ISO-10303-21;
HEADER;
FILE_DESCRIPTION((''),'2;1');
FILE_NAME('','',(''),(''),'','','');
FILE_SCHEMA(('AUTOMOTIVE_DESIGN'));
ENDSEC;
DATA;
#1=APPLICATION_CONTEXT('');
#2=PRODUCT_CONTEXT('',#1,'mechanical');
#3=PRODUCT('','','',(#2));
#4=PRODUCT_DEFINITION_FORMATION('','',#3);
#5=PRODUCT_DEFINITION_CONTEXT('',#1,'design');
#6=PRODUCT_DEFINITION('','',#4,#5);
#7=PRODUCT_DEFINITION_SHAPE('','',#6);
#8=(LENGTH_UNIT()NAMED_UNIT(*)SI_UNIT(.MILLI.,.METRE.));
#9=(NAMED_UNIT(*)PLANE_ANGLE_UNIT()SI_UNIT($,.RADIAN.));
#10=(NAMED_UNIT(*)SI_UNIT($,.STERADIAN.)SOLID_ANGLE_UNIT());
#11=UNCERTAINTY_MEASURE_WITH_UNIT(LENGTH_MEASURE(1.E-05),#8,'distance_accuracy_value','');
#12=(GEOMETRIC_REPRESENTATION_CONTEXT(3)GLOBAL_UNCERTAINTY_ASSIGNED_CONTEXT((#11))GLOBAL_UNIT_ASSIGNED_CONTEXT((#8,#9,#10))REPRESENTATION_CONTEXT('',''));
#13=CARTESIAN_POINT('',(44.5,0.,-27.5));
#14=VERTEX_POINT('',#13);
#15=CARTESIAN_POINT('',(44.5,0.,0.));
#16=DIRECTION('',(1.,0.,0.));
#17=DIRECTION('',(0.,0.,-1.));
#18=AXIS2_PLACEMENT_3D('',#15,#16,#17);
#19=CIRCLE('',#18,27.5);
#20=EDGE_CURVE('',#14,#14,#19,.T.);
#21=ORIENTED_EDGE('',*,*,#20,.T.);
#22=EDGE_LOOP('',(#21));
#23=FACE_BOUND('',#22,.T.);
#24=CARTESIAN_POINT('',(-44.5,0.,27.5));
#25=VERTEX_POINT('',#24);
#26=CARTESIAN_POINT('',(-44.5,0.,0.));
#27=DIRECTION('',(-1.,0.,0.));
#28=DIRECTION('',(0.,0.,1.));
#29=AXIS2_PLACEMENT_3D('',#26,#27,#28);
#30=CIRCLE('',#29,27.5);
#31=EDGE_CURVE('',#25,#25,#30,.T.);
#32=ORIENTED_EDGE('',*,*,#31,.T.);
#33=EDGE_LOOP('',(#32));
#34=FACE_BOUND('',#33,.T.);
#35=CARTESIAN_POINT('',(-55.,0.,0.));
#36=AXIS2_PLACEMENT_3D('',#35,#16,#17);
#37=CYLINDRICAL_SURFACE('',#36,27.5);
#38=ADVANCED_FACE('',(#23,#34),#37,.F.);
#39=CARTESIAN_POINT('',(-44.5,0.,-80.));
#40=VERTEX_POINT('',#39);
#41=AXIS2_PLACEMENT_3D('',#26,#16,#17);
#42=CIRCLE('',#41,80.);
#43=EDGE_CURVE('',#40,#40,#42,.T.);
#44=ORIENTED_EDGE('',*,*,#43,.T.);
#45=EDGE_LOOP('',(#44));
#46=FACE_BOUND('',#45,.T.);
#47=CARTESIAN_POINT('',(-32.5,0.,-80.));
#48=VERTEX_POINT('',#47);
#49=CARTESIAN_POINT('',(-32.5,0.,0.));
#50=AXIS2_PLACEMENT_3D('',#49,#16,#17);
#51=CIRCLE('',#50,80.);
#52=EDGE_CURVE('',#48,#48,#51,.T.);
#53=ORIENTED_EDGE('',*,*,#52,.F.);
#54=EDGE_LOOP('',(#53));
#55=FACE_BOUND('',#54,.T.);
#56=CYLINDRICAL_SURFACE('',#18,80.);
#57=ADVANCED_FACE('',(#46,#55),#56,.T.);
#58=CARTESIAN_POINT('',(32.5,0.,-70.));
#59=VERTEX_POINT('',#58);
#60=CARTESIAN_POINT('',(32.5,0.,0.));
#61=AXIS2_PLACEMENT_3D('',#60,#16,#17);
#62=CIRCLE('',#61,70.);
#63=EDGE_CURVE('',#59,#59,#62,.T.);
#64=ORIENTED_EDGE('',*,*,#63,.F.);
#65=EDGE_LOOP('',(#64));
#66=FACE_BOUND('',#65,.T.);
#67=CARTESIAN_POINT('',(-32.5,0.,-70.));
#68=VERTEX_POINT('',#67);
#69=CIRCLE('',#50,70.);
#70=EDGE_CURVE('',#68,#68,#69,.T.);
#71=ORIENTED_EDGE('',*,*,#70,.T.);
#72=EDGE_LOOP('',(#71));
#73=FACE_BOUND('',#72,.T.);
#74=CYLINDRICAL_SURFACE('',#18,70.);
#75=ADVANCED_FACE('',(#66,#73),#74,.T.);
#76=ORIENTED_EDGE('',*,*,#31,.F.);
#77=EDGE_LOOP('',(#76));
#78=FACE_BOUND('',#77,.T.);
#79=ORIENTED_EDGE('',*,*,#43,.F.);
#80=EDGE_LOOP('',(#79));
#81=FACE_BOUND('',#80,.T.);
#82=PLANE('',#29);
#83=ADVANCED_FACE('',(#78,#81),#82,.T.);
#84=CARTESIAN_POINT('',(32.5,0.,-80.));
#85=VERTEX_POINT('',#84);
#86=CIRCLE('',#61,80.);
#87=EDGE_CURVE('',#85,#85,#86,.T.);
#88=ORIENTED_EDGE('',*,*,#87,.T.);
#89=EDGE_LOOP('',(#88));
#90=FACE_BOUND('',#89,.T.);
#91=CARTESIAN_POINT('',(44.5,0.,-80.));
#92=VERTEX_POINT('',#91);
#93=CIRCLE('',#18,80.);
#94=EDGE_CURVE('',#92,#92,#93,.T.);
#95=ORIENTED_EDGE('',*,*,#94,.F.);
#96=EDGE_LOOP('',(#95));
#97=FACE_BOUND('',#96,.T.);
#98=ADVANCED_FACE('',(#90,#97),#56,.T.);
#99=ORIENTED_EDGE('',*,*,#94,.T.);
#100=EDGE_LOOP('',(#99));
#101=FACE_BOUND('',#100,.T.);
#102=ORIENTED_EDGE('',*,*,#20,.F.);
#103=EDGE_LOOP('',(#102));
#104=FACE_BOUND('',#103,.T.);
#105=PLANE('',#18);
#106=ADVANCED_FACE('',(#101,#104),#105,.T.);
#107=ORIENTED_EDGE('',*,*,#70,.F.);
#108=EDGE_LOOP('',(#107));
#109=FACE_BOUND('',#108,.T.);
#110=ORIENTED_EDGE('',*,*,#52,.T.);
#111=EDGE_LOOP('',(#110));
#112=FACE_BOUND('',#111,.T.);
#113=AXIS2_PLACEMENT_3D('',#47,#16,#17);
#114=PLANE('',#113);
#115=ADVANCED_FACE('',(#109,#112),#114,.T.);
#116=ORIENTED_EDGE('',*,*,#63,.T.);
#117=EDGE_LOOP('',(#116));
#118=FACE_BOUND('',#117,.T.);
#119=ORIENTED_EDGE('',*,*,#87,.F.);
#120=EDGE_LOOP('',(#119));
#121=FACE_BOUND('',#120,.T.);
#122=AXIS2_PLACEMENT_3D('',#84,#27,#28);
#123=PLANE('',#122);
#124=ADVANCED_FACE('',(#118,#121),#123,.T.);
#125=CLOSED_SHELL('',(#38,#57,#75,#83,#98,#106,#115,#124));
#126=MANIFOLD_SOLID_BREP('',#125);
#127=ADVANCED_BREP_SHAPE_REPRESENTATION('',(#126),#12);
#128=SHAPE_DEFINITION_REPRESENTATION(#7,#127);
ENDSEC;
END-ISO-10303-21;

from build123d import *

# Parameters (mm, degrees)
ESQUISSE2_R             = 27.5
ENL_V_MAT_EXTRU_1_DEPTH = 55


with BuildPart() as part:
    # Esquisse1 → Révolution2 (revolve)
    with BuildSketch(Plane(origin=(0, 0, 0), x_dir=(1, 0, 0), z_dir=(0, 1, 0))):
        Polygon((44.5, 0), (-44.5, 0), (-44.5, 80), (-32.5, 80), (-32.5, 70), (32.5, 70), (32.5, 80), (44.5, 80), align=None)
    revolve(axis=Axis((44.5, 0, 0), (-1, 0, 0)))

    # Esquisse2 → Enlèv. mat.-Extru.1 (cut, symmetric)
    with BuildSketch(Plane(origin=(0, 0, 0), x_dir=(0, 0, -1), z_dir=(1, 0, 0))):
        Circle(ESQUISSE2_R)
    extrude(amount=ENL_V_MAT_EXTRU_1_DEPTH, both=True, mode=Mode.SUBTRACT)


solid = part.part
